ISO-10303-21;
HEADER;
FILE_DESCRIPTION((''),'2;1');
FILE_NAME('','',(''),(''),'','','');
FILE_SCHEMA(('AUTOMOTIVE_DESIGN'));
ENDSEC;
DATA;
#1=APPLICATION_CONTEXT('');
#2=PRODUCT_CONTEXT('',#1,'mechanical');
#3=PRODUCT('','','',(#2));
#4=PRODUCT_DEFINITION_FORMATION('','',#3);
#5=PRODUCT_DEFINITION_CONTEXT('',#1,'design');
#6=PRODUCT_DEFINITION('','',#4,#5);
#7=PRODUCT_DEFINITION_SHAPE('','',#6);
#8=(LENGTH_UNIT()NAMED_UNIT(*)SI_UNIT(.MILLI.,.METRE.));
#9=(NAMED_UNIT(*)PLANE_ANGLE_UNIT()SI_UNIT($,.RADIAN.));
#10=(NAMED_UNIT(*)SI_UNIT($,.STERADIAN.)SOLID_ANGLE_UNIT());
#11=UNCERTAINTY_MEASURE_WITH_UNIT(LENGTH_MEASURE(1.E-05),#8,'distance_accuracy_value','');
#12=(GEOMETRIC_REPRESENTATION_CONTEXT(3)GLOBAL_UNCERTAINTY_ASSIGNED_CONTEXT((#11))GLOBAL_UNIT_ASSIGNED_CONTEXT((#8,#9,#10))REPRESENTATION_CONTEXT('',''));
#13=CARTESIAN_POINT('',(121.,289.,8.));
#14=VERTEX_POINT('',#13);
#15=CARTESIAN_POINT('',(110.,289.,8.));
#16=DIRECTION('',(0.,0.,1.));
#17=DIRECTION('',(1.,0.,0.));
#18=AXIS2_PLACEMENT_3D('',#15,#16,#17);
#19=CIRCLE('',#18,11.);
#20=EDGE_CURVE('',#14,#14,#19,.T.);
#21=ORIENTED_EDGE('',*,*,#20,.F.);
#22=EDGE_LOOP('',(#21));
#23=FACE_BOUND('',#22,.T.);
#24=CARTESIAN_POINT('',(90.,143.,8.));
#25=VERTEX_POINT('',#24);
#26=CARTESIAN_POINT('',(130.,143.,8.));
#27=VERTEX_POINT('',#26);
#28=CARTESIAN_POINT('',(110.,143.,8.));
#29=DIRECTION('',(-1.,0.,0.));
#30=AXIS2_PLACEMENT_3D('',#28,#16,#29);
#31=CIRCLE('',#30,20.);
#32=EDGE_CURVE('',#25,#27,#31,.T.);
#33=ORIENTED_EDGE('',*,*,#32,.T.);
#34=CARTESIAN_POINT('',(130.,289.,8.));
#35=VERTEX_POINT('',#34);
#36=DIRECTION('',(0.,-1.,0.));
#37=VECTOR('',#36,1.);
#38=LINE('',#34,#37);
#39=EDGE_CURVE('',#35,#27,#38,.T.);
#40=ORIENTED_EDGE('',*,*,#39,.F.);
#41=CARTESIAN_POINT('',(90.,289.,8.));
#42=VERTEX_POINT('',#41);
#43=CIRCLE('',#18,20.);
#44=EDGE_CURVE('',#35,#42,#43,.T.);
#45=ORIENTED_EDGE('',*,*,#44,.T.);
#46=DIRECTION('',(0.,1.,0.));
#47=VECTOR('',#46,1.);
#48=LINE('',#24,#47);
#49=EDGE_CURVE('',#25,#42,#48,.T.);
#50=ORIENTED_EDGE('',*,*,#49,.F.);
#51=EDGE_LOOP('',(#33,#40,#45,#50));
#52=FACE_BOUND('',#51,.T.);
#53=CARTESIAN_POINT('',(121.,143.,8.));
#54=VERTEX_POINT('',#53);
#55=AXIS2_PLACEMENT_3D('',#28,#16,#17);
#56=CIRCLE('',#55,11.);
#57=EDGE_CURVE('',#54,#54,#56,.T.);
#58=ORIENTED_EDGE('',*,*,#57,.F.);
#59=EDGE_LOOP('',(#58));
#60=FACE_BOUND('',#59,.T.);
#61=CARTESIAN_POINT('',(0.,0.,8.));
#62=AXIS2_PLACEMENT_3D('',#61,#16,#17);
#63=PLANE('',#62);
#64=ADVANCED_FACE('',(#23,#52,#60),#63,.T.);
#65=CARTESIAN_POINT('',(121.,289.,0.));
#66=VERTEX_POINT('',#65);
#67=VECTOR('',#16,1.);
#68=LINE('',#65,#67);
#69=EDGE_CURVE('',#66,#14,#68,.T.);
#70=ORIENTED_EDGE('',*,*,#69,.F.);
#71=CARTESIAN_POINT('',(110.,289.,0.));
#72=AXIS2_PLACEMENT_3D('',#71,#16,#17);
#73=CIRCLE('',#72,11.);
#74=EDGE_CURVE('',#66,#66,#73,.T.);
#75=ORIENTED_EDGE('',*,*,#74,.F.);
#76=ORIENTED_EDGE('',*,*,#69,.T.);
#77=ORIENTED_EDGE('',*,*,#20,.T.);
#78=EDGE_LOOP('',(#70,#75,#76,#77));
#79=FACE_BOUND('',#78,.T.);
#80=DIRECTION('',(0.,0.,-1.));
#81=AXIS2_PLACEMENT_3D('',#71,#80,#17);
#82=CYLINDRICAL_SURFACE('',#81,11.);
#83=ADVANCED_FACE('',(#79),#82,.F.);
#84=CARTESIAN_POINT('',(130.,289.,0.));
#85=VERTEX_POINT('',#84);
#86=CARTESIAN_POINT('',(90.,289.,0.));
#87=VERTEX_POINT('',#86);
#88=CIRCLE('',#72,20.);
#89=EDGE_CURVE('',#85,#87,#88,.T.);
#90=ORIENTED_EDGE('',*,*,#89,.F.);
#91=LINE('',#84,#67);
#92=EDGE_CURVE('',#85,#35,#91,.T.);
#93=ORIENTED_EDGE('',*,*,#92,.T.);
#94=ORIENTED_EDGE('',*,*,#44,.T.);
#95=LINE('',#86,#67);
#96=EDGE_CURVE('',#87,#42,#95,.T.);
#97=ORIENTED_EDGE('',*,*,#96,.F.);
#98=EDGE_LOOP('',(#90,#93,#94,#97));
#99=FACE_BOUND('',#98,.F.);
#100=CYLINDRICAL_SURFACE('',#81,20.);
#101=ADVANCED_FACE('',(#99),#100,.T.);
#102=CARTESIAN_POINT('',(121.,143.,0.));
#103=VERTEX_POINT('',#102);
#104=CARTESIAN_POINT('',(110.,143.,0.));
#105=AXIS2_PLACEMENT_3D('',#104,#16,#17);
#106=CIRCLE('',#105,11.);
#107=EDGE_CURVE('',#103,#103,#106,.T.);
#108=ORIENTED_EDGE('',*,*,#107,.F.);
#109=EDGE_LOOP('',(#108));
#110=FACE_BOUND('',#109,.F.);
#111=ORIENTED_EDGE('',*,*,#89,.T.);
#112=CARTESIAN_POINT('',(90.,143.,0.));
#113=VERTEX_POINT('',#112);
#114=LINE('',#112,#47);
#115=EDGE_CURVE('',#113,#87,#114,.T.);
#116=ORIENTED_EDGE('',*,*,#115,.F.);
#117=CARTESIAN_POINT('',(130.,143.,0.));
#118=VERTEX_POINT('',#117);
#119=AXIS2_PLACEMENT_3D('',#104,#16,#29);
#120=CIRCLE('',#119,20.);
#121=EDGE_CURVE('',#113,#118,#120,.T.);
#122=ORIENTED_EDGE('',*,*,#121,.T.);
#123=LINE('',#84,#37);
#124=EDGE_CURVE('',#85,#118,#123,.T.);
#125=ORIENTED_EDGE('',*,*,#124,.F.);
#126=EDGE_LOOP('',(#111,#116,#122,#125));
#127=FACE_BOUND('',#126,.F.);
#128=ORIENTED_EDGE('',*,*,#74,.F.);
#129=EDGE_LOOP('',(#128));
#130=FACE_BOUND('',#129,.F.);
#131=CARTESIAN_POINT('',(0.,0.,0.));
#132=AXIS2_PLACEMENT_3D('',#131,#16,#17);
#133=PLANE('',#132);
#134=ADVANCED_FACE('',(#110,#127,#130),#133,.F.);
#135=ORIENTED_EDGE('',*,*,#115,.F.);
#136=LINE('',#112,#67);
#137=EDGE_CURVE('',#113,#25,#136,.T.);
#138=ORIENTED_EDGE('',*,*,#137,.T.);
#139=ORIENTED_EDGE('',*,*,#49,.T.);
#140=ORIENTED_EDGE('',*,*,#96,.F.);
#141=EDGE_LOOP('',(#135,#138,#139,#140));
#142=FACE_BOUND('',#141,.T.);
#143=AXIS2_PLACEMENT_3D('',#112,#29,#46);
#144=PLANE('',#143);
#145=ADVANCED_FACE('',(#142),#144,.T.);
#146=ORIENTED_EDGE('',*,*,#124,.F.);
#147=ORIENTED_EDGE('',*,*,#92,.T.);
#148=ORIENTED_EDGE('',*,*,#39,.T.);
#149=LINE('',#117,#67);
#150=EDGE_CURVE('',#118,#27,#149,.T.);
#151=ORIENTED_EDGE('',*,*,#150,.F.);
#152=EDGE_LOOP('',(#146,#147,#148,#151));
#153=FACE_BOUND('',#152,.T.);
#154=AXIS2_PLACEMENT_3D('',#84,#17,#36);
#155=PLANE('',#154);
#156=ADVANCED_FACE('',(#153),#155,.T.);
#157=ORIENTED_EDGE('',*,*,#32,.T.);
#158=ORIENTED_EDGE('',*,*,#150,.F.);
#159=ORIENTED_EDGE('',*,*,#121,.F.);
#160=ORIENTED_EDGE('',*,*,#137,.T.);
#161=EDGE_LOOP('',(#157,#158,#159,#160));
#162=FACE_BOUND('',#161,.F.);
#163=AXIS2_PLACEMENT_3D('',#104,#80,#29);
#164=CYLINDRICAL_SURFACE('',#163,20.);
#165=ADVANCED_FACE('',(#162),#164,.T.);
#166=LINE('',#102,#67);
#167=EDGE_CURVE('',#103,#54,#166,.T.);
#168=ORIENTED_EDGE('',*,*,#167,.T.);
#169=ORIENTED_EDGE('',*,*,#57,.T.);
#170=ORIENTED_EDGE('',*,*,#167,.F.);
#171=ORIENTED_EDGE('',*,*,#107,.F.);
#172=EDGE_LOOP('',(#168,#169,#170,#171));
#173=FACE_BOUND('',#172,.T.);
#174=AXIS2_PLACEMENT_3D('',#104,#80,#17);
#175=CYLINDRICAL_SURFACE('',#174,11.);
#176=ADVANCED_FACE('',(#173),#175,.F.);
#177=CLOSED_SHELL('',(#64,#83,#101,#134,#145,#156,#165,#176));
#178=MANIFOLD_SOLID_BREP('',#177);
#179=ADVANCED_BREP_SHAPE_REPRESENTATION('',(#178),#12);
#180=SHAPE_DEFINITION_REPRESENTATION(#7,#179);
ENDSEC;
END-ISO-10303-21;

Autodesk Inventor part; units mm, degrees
ref_plane "YZ Plane" through (0, 0, 0) normal (1, 0, 0) x (0, 1, 0)
ref_plane "XZ Plane" through (0, 0, 0) normal (0, 1, 0) x (-1, 0, 0)
ref_plane "XY Plane" through (0, 0, 0) normal (0, 0, 1) x (1, 0, 0)
sketch "Sketch1" plane through (0, 0, 0) normal (0, 0, 1) x (1, 0, 0)
  line L0 (0, 0) -> (220, 0) construction
  line L1 (220, 0) -> (220, 9) construction
  line L2 (220, 9) -> (0, 9) construction
  line L3 (0, 9) -> (0, 0) construction
  line L4 (0, 9) -> (90.94, 295.0593) construction
  line L5 (129.06, 295.0593) -> (220, 9) construction
  circle A0 centre (110, 289) radius 11 construction
  line L6 (96.1101, 281.616) -> (103.5522, 305.0259) construction
  arc A1 (129.06, 295.0593) -> (90.94, 295.0593) centre (110, 289) ccw construction
  line L7 (99, 275.5567) -> (99, 269.1274) construction
  line L8 (110, 289) -> (110, 143) construction
  line L9 (130, 289) -> (130, 143)
  line L10 (90, 143) -> (90, 289)
  arc A2 (130, 289) -> (90, 289) centre (110, 289) ccw
  arc A3 (90, 143) -> (130, 143) centre (110, 143) ccw
  line L11 (292.2692, 143) -> (292.2692, 247) construction
  line L12 (312.2692, 143) -> (312.2692, 247) construction
  line L13 (272.2692, 247) -> (272.2692, 143) construction
  arc A4 (272.2692, 143) -> (312.2692, 143) centre (292.2692, 143) ccw construction
  arc A5 (312.2692, 247) -> (272.2692, 247) centre (292.2692, 247) ccw construction
  arc A6 (90, 289) -> (130, 289) centre (110, 289) ccw construction
  line L14 (101.1908, 269) -> (118.8092, 269) construction
  line L15 (211.2941, 267) -> (373.2442, 267) construction
  line L16 (211.2941, 143) -> (373.2442, 143) construction
  line L17 (292.2692, 143) -> (292.2692, 39) construction
  line L18 (312.2692, 143) -> (312.2692, 39) construction
  line L19 (272.2692, 39) -> (272.2692, 143) construction
  arc A7 (312.2692, 143) -> (272.2692, 143) centre (292.2692, 143) ccw construction
  arc A8 (272.2692, 39) -> (312.2692, 39) centre (292.2692, 39) ccw construction
  line L20 (211.2941, 19) -> (373.2442, 19) construction
  circle A9 centre (110, 289) radius 11
  circle A10 centre (110, 143) radius 11
  point P0 (110, 0)
  point P1 (110, 216)
  point P2 (110, 309)
  point P3 (292.2692, 195)
  point P4 (110, 269)
  point P5 (110, 269)
  point P6 (292.2692, 267)
  dimension "d0" = 9
  dimension "d1" = 220
  dimension "d2" = 22
  dimension "d3" = 280
  dimension "d4" = 9
  dimension "d7" = 40
  dimension "d8" = 40
  dimension "pendgap" = 2
  dimension "abovethefloor" = 10
  dimension "d11" = 104
  dimension "d12" = 146
  dimension "d14" = 22
extrude "Extrusion2" add sketch "Sketch1" along normal blind 8
properties part number "FirstPendulum"
